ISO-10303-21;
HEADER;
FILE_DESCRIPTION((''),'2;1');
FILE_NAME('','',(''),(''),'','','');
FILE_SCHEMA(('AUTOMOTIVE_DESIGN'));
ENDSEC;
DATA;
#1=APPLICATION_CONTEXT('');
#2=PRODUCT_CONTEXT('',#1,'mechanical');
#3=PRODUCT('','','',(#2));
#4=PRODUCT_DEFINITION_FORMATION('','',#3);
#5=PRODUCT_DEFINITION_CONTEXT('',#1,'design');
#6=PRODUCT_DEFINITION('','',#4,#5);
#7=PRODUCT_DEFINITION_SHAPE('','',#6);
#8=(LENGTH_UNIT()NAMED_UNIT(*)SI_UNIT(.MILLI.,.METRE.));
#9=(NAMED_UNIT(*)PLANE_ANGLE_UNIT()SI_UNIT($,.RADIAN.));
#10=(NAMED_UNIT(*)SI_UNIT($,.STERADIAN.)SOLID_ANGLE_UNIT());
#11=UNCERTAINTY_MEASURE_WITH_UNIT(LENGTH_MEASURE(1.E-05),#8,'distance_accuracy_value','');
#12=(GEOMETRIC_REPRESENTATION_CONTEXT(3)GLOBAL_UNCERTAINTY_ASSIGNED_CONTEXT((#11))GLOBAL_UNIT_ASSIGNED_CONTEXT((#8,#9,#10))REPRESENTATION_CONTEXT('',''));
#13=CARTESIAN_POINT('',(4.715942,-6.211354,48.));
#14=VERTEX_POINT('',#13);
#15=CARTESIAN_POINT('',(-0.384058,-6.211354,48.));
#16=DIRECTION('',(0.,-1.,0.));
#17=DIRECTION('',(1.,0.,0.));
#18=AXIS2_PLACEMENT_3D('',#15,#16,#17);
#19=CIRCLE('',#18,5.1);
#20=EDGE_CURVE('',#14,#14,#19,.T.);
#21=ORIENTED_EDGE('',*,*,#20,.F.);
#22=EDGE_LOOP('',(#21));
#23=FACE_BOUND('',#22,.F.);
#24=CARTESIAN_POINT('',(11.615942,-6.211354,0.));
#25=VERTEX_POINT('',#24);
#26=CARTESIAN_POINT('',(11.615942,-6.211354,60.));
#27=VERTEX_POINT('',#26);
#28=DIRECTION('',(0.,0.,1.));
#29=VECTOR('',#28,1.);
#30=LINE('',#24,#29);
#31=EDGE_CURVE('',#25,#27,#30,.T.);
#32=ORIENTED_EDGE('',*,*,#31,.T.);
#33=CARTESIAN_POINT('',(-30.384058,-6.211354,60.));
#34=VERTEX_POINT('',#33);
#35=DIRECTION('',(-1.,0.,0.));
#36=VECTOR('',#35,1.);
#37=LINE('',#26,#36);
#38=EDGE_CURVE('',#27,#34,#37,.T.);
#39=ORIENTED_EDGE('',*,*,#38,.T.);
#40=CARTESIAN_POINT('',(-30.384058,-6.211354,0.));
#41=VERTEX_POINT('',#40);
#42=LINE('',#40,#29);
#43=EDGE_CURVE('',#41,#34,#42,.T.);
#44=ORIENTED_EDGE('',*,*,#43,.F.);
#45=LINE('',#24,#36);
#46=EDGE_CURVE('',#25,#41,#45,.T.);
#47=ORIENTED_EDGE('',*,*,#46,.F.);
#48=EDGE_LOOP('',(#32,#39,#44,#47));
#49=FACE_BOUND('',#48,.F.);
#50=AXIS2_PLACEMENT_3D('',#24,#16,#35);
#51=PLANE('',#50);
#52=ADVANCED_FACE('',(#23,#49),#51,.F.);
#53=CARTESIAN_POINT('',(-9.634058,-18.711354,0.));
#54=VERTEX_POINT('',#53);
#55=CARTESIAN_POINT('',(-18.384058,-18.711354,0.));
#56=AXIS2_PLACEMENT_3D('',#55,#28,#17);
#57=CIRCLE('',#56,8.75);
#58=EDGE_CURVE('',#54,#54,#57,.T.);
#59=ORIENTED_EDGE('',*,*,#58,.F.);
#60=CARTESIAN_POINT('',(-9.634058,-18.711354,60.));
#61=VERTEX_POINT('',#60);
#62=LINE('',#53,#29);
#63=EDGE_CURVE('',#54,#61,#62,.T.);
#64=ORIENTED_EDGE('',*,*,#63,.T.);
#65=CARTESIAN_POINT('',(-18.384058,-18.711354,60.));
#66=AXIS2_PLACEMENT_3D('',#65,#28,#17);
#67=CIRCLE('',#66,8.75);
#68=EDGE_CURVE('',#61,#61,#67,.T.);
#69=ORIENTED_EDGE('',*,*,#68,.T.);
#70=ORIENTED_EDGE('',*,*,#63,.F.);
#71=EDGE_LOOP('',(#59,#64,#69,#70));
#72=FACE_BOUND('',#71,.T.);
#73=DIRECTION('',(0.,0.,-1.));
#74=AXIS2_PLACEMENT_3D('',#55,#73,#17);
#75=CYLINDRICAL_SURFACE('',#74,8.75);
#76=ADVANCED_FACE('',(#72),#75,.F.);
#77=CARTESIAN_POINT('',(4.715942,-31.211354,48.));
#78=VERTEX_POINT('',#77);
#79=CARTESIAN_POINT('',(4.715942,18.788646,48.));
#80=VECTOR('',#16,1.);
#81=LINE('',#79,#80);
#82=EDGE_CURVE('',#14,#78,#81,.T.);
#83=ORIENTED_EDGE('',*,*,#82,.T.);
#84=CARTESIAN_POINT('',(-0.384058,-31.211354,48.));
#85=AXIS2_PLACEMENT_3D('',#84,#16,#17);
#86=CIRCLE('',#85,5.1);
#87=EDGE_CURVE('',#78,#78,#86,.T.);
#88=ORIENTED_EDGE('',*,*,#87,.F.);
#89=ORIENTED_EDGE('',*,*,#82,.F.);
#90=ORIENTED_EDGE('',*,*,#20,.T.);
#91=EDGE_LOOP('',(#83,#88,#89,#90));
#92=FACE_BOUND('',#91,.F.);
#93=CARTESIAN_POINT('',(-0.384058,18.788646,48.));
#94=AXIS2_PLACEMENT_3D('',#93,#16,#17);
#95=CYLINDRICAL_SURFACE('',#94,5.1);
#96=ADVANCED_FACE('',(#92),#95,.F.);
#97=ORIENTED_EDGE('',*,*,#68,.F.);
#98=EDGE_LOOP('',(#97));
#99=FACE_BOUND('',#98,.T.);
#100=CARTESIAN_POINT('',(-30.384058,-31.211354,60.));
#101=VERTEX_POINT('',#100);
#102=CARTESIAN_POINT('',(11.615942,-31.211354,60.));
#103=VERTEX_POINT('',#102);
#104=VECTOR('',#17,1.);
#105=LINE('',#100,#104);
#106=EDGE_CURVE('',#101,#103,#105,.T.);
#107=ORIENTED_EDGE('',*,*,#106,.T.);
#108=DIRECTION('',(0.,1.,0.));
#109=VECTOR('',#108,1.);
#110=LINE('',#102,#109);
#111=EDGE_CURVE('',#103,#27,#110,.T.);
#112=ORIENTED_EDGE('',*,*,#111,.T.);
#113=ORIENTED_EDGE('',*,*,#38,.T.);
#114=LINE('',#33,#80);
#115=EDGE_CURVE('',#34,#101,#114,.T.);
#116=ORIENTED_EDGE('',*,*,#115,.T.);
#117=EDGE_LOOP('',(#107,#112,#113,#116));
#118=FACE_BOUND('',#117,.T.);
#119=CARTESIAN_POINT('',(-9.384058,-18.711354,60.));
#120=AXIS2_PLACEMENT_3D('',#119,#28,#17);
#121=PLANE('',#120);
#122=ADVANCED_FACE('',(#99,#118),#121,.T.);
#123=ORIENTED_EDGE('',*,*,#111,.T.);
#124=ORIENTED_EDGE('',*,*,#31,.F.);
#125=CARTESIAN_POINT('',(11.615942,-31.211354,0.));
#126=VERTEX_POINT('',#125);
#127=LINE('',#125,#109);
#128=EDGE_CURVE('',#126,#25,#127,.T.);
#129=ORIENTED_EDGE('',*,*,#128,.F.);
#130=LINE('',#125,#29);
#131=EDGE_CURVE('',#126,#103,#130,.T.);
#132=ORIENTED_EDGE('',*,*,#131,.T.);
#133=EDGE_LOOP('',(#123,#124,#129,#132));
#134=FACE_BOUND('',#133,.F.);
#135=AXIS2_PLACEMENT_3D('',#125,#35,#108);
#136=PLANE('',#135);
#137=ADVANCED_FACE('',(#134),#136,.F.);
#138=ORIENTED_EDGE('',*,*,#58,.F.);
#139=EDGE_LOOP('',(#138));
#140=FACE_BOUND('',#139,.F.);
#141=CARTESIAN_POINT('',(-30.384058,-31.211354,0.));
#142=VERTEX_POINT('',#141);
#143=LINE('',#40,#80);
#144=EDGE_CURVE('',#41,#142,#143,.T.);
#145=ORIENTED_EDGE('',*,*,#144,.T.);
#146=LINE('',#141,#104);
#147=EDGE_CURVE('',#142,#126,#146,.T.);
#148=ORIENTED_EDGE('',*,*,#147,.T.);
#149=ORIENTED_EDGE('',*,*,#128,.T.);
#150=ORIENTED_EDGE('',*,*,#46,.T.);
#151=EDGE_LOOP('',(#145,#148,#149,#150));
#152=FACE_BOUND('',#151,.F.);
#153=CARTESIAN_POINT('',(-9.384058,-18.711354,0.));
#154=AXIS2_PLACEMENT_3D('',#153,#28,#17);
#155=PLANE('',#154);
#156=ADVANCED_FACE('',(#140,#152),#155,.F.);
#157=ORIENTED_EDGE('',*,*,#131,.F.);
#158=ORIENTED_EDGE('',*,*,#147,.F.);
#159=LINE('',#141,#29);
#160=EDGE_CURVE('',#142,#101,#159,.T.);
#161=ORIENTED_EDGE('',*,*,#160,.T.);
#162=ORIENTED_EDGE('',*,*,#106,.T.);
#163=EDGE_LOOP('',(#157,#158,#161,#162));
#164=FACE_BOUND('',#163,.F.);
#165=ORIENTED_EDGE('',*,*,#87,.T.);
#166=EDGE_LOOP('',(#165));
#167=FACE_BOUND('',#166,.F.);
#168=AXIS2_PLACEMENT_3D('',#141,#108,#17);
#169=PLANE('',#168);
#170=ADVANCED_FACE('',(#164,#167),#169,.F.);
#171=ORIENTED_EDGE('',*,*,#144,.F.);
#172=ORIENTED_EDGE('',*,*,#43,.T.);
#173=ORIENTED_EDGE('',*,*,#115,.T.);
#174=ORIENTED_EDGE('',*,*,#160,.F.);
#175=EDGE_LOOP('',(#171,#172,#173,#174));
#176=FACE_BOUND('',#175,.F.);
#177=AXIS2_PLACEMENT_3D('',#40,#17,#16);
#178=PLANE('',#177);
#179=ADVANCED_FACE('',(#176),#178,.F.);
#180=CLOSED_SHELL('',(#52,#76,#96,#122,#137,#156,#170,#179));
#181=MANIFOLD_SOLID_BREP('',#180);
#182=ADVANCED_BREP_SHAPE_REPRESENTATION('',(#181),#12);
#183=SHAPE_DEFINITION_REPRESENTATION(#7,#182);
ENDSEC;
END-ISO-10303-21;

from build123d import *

# Parameters (mm, degrees)
F0_R     = 8.75
F1_DEPTH = 60
F3_D     = 10.2
F3_DEPTH = 25


with BuildPart() as f1:
    # F0 (on Top) → F1 (new body)
    with BuildSketch(Plane.XY):
        Polygon((-5.384058, -31.211354), (11.615942, -31.211354), (11.615942, -6.211354), (-18.384058, -6.211354), (-30.384058, -6.211354), (-30.384058, -18.711354), (-30.384058, -31.211354), align=None)
        with Locations((-18.384058, -18.711354)):
            Circle(F0_R, mode=Mode.SUBTRACT)
    extrude(amount=F1_DEPTH)

    # F3
    with Locations(Plane(origin=(0, -6.211354, 0), x_dir=(-1, 0, 0), z_dir=(0, 1, 0))):
        with Locations((0.384058, 48)):
            Hole(F3_D / 2, depth=F3_DEPTH)


solid = f1.part
